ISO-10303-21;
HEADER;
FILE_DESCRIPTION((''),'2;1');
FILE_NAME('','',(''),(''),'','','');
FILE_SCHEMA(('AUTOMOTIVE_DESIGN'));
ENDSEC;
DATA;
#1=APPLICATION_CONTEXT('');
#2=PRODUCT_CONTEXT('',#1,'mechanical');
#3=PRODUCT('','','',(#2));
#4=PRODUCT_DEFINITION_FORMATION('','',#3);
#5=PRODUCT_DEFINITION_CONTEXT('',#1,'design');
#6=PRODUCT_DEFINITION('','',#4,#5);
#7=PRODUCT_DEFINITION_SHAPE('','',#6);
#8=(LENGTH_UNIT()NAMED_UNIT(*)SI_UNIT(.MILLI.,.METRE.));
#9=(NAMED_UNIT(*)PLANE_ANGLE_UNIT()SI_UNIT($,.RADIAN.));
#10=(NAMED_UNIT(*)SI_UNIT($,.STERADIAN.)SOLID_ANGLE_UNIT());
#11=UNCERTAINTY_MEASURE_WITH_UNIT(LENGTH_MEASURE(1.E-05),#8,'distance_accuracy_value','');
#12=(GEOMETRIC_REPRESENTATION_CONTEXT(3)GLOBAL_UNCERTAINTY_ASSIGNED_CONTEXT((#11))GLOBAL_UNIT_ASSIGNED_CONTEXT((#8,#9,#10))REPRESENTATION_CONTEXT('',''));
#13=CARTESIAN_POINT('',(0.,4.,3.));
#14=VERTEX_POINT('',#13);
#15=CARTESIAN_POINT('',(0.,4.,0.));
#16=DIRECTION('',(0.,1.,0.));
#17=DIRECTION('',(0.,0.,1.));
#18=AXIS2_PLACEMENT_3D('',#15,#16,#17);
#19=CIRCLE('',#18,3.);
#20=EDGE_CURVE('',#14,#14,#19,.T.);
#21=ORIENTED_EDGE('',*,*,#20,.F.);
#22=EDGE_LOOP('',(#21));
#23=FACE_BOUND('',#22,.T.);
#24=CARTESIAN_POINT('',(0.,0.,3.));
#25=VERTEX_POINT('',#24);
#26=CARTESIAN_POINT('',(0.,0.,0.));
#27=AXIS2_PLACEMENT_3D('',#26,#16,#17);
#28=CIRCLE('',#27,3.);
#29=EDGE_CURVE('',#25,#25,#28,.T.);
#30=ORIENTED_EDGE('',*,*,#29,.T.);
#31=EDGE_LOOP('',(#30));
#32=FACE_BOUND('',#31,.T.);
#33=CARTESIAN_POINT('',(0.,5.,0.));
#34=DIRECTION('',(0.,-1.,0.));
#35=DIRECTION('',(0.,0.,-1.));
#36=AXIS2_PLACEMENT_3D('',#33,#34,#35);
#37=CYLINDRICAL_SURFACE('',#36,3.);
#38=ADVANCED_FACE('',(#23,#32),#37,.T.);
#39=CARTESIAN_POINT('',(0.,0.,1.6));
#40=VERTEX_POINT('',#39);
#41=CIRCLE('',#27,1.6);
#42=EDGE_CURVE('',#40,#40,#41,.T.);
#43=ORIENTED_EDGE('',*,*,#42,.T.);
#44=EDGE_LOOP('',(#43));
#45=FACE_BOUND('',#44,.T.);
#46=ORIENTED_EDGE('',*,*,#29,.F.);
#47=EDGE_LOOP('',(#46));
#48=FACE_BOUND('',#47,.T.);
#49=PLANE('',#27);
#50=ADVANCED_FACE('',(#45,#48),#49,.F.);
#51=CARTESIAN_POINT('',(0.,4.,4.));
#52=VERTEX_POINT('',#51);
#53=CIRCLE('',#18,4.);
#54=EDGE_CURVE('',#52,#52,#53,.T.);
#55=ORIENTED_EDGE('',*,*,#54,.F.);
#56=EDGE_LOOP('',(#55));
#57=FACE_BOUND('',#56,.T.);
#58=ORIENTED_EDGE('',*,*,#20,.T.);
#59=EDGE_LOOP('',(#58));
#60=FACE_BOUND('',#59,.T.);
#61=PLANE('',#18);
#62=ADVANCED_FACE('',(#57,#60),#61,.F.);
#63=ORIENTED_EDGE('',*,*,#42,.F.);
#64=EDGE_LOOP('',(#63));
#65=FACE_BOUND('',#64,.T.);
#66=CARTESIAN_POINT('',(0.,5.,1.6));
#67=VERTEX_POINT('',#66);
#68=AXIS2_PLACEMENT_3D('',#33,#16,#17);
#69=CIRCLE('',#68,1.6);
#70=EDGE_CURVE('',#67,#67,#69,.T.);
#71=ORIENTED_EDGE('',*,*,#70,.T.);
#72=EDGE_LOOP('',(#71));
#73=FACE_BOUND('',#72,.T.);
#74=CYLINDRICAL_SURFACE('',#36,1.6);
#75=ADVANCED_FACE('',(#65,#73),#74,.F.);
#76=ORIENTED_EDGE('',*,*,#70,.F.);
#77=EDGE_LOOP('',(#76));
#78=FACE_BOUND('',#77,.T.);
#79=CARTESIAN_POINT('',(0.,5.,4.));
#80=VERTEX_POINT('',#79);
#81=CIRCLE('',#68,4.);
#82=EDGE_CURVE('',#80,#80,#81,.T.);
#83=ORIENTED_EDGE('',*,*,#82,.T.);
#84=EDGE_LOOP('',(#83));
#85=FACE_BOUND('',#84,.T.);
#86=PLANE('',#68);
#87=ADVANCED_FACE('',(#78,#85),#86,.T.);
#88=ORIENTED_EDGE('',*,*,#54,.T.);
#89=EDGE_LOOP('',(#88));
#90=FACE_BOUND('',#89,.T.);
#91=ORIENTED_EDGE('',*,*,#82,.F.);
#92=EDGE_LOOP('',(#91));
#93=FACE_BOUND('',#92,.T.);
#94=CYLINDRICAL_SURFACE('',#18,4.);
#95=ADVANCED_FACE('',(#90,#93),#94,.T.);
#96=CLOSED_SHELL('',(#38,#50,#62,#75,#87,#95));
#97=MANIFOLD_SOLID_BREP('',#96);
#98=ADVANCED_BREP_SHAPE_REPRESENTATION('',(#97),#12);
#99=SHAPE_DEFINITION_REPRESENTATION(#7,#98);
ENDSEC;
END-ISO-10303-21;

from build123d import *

# Parameters (mm, degrees)
ESBO_O1_R                = 3
ESBO_O1_R_2              = 1.6
RESSALTO_EXTRUS_O1_DEPTH = 5
RESSALTO_EXTRUS_O2_START = -1
ESBO_O2_R                = 4
ESBO_O2_R_2              = 3
RESSALTO_EXTRUS_O2_DEPTH = 1


with BuildPart() as part:
    # Esboço1 → Ressalto-extrusão1 (new body)
    with BuildSketch(Plane(origin=(0, 0, 0), x_dir=(1, 0, 0), z_dir=(0, 1, 0))):
        with Locations(Location((0, 0, 0), (0, 0, 270))):
            Circle(ESBO_O1_R)
        with Locations(Location((0, 0, 0), (0, 0, 270))):
            Circle(ESBO_O1_R_2, mode=Mode.SUBTRACT)
    extrude(amount=RESSALTO_EXTRUS_O1_DEPTH)

    # Esboço2 → Ressalto-extrusão2 (add)
    with BuildSketch(Plane(origin=(0, 5, 0), x_dir=(1, 0, 0), z_dir=(0, 1, 0)).offset(RESSALTO_EXTRUS_O2_START)):
        with Locations(Location((0, 0, 0), (0, 0, 270))):
            Circle(ESBO_O2_R)
        with Locations(Location((0, 0, 0), (0, 0, 270))):
            Circle(ESBO_O2_R_2, mode=Mode.SUBTRACT)
    extrude(amount=RESSALTO_EXTRUS_O2_DEPTH)


solid = part.part
